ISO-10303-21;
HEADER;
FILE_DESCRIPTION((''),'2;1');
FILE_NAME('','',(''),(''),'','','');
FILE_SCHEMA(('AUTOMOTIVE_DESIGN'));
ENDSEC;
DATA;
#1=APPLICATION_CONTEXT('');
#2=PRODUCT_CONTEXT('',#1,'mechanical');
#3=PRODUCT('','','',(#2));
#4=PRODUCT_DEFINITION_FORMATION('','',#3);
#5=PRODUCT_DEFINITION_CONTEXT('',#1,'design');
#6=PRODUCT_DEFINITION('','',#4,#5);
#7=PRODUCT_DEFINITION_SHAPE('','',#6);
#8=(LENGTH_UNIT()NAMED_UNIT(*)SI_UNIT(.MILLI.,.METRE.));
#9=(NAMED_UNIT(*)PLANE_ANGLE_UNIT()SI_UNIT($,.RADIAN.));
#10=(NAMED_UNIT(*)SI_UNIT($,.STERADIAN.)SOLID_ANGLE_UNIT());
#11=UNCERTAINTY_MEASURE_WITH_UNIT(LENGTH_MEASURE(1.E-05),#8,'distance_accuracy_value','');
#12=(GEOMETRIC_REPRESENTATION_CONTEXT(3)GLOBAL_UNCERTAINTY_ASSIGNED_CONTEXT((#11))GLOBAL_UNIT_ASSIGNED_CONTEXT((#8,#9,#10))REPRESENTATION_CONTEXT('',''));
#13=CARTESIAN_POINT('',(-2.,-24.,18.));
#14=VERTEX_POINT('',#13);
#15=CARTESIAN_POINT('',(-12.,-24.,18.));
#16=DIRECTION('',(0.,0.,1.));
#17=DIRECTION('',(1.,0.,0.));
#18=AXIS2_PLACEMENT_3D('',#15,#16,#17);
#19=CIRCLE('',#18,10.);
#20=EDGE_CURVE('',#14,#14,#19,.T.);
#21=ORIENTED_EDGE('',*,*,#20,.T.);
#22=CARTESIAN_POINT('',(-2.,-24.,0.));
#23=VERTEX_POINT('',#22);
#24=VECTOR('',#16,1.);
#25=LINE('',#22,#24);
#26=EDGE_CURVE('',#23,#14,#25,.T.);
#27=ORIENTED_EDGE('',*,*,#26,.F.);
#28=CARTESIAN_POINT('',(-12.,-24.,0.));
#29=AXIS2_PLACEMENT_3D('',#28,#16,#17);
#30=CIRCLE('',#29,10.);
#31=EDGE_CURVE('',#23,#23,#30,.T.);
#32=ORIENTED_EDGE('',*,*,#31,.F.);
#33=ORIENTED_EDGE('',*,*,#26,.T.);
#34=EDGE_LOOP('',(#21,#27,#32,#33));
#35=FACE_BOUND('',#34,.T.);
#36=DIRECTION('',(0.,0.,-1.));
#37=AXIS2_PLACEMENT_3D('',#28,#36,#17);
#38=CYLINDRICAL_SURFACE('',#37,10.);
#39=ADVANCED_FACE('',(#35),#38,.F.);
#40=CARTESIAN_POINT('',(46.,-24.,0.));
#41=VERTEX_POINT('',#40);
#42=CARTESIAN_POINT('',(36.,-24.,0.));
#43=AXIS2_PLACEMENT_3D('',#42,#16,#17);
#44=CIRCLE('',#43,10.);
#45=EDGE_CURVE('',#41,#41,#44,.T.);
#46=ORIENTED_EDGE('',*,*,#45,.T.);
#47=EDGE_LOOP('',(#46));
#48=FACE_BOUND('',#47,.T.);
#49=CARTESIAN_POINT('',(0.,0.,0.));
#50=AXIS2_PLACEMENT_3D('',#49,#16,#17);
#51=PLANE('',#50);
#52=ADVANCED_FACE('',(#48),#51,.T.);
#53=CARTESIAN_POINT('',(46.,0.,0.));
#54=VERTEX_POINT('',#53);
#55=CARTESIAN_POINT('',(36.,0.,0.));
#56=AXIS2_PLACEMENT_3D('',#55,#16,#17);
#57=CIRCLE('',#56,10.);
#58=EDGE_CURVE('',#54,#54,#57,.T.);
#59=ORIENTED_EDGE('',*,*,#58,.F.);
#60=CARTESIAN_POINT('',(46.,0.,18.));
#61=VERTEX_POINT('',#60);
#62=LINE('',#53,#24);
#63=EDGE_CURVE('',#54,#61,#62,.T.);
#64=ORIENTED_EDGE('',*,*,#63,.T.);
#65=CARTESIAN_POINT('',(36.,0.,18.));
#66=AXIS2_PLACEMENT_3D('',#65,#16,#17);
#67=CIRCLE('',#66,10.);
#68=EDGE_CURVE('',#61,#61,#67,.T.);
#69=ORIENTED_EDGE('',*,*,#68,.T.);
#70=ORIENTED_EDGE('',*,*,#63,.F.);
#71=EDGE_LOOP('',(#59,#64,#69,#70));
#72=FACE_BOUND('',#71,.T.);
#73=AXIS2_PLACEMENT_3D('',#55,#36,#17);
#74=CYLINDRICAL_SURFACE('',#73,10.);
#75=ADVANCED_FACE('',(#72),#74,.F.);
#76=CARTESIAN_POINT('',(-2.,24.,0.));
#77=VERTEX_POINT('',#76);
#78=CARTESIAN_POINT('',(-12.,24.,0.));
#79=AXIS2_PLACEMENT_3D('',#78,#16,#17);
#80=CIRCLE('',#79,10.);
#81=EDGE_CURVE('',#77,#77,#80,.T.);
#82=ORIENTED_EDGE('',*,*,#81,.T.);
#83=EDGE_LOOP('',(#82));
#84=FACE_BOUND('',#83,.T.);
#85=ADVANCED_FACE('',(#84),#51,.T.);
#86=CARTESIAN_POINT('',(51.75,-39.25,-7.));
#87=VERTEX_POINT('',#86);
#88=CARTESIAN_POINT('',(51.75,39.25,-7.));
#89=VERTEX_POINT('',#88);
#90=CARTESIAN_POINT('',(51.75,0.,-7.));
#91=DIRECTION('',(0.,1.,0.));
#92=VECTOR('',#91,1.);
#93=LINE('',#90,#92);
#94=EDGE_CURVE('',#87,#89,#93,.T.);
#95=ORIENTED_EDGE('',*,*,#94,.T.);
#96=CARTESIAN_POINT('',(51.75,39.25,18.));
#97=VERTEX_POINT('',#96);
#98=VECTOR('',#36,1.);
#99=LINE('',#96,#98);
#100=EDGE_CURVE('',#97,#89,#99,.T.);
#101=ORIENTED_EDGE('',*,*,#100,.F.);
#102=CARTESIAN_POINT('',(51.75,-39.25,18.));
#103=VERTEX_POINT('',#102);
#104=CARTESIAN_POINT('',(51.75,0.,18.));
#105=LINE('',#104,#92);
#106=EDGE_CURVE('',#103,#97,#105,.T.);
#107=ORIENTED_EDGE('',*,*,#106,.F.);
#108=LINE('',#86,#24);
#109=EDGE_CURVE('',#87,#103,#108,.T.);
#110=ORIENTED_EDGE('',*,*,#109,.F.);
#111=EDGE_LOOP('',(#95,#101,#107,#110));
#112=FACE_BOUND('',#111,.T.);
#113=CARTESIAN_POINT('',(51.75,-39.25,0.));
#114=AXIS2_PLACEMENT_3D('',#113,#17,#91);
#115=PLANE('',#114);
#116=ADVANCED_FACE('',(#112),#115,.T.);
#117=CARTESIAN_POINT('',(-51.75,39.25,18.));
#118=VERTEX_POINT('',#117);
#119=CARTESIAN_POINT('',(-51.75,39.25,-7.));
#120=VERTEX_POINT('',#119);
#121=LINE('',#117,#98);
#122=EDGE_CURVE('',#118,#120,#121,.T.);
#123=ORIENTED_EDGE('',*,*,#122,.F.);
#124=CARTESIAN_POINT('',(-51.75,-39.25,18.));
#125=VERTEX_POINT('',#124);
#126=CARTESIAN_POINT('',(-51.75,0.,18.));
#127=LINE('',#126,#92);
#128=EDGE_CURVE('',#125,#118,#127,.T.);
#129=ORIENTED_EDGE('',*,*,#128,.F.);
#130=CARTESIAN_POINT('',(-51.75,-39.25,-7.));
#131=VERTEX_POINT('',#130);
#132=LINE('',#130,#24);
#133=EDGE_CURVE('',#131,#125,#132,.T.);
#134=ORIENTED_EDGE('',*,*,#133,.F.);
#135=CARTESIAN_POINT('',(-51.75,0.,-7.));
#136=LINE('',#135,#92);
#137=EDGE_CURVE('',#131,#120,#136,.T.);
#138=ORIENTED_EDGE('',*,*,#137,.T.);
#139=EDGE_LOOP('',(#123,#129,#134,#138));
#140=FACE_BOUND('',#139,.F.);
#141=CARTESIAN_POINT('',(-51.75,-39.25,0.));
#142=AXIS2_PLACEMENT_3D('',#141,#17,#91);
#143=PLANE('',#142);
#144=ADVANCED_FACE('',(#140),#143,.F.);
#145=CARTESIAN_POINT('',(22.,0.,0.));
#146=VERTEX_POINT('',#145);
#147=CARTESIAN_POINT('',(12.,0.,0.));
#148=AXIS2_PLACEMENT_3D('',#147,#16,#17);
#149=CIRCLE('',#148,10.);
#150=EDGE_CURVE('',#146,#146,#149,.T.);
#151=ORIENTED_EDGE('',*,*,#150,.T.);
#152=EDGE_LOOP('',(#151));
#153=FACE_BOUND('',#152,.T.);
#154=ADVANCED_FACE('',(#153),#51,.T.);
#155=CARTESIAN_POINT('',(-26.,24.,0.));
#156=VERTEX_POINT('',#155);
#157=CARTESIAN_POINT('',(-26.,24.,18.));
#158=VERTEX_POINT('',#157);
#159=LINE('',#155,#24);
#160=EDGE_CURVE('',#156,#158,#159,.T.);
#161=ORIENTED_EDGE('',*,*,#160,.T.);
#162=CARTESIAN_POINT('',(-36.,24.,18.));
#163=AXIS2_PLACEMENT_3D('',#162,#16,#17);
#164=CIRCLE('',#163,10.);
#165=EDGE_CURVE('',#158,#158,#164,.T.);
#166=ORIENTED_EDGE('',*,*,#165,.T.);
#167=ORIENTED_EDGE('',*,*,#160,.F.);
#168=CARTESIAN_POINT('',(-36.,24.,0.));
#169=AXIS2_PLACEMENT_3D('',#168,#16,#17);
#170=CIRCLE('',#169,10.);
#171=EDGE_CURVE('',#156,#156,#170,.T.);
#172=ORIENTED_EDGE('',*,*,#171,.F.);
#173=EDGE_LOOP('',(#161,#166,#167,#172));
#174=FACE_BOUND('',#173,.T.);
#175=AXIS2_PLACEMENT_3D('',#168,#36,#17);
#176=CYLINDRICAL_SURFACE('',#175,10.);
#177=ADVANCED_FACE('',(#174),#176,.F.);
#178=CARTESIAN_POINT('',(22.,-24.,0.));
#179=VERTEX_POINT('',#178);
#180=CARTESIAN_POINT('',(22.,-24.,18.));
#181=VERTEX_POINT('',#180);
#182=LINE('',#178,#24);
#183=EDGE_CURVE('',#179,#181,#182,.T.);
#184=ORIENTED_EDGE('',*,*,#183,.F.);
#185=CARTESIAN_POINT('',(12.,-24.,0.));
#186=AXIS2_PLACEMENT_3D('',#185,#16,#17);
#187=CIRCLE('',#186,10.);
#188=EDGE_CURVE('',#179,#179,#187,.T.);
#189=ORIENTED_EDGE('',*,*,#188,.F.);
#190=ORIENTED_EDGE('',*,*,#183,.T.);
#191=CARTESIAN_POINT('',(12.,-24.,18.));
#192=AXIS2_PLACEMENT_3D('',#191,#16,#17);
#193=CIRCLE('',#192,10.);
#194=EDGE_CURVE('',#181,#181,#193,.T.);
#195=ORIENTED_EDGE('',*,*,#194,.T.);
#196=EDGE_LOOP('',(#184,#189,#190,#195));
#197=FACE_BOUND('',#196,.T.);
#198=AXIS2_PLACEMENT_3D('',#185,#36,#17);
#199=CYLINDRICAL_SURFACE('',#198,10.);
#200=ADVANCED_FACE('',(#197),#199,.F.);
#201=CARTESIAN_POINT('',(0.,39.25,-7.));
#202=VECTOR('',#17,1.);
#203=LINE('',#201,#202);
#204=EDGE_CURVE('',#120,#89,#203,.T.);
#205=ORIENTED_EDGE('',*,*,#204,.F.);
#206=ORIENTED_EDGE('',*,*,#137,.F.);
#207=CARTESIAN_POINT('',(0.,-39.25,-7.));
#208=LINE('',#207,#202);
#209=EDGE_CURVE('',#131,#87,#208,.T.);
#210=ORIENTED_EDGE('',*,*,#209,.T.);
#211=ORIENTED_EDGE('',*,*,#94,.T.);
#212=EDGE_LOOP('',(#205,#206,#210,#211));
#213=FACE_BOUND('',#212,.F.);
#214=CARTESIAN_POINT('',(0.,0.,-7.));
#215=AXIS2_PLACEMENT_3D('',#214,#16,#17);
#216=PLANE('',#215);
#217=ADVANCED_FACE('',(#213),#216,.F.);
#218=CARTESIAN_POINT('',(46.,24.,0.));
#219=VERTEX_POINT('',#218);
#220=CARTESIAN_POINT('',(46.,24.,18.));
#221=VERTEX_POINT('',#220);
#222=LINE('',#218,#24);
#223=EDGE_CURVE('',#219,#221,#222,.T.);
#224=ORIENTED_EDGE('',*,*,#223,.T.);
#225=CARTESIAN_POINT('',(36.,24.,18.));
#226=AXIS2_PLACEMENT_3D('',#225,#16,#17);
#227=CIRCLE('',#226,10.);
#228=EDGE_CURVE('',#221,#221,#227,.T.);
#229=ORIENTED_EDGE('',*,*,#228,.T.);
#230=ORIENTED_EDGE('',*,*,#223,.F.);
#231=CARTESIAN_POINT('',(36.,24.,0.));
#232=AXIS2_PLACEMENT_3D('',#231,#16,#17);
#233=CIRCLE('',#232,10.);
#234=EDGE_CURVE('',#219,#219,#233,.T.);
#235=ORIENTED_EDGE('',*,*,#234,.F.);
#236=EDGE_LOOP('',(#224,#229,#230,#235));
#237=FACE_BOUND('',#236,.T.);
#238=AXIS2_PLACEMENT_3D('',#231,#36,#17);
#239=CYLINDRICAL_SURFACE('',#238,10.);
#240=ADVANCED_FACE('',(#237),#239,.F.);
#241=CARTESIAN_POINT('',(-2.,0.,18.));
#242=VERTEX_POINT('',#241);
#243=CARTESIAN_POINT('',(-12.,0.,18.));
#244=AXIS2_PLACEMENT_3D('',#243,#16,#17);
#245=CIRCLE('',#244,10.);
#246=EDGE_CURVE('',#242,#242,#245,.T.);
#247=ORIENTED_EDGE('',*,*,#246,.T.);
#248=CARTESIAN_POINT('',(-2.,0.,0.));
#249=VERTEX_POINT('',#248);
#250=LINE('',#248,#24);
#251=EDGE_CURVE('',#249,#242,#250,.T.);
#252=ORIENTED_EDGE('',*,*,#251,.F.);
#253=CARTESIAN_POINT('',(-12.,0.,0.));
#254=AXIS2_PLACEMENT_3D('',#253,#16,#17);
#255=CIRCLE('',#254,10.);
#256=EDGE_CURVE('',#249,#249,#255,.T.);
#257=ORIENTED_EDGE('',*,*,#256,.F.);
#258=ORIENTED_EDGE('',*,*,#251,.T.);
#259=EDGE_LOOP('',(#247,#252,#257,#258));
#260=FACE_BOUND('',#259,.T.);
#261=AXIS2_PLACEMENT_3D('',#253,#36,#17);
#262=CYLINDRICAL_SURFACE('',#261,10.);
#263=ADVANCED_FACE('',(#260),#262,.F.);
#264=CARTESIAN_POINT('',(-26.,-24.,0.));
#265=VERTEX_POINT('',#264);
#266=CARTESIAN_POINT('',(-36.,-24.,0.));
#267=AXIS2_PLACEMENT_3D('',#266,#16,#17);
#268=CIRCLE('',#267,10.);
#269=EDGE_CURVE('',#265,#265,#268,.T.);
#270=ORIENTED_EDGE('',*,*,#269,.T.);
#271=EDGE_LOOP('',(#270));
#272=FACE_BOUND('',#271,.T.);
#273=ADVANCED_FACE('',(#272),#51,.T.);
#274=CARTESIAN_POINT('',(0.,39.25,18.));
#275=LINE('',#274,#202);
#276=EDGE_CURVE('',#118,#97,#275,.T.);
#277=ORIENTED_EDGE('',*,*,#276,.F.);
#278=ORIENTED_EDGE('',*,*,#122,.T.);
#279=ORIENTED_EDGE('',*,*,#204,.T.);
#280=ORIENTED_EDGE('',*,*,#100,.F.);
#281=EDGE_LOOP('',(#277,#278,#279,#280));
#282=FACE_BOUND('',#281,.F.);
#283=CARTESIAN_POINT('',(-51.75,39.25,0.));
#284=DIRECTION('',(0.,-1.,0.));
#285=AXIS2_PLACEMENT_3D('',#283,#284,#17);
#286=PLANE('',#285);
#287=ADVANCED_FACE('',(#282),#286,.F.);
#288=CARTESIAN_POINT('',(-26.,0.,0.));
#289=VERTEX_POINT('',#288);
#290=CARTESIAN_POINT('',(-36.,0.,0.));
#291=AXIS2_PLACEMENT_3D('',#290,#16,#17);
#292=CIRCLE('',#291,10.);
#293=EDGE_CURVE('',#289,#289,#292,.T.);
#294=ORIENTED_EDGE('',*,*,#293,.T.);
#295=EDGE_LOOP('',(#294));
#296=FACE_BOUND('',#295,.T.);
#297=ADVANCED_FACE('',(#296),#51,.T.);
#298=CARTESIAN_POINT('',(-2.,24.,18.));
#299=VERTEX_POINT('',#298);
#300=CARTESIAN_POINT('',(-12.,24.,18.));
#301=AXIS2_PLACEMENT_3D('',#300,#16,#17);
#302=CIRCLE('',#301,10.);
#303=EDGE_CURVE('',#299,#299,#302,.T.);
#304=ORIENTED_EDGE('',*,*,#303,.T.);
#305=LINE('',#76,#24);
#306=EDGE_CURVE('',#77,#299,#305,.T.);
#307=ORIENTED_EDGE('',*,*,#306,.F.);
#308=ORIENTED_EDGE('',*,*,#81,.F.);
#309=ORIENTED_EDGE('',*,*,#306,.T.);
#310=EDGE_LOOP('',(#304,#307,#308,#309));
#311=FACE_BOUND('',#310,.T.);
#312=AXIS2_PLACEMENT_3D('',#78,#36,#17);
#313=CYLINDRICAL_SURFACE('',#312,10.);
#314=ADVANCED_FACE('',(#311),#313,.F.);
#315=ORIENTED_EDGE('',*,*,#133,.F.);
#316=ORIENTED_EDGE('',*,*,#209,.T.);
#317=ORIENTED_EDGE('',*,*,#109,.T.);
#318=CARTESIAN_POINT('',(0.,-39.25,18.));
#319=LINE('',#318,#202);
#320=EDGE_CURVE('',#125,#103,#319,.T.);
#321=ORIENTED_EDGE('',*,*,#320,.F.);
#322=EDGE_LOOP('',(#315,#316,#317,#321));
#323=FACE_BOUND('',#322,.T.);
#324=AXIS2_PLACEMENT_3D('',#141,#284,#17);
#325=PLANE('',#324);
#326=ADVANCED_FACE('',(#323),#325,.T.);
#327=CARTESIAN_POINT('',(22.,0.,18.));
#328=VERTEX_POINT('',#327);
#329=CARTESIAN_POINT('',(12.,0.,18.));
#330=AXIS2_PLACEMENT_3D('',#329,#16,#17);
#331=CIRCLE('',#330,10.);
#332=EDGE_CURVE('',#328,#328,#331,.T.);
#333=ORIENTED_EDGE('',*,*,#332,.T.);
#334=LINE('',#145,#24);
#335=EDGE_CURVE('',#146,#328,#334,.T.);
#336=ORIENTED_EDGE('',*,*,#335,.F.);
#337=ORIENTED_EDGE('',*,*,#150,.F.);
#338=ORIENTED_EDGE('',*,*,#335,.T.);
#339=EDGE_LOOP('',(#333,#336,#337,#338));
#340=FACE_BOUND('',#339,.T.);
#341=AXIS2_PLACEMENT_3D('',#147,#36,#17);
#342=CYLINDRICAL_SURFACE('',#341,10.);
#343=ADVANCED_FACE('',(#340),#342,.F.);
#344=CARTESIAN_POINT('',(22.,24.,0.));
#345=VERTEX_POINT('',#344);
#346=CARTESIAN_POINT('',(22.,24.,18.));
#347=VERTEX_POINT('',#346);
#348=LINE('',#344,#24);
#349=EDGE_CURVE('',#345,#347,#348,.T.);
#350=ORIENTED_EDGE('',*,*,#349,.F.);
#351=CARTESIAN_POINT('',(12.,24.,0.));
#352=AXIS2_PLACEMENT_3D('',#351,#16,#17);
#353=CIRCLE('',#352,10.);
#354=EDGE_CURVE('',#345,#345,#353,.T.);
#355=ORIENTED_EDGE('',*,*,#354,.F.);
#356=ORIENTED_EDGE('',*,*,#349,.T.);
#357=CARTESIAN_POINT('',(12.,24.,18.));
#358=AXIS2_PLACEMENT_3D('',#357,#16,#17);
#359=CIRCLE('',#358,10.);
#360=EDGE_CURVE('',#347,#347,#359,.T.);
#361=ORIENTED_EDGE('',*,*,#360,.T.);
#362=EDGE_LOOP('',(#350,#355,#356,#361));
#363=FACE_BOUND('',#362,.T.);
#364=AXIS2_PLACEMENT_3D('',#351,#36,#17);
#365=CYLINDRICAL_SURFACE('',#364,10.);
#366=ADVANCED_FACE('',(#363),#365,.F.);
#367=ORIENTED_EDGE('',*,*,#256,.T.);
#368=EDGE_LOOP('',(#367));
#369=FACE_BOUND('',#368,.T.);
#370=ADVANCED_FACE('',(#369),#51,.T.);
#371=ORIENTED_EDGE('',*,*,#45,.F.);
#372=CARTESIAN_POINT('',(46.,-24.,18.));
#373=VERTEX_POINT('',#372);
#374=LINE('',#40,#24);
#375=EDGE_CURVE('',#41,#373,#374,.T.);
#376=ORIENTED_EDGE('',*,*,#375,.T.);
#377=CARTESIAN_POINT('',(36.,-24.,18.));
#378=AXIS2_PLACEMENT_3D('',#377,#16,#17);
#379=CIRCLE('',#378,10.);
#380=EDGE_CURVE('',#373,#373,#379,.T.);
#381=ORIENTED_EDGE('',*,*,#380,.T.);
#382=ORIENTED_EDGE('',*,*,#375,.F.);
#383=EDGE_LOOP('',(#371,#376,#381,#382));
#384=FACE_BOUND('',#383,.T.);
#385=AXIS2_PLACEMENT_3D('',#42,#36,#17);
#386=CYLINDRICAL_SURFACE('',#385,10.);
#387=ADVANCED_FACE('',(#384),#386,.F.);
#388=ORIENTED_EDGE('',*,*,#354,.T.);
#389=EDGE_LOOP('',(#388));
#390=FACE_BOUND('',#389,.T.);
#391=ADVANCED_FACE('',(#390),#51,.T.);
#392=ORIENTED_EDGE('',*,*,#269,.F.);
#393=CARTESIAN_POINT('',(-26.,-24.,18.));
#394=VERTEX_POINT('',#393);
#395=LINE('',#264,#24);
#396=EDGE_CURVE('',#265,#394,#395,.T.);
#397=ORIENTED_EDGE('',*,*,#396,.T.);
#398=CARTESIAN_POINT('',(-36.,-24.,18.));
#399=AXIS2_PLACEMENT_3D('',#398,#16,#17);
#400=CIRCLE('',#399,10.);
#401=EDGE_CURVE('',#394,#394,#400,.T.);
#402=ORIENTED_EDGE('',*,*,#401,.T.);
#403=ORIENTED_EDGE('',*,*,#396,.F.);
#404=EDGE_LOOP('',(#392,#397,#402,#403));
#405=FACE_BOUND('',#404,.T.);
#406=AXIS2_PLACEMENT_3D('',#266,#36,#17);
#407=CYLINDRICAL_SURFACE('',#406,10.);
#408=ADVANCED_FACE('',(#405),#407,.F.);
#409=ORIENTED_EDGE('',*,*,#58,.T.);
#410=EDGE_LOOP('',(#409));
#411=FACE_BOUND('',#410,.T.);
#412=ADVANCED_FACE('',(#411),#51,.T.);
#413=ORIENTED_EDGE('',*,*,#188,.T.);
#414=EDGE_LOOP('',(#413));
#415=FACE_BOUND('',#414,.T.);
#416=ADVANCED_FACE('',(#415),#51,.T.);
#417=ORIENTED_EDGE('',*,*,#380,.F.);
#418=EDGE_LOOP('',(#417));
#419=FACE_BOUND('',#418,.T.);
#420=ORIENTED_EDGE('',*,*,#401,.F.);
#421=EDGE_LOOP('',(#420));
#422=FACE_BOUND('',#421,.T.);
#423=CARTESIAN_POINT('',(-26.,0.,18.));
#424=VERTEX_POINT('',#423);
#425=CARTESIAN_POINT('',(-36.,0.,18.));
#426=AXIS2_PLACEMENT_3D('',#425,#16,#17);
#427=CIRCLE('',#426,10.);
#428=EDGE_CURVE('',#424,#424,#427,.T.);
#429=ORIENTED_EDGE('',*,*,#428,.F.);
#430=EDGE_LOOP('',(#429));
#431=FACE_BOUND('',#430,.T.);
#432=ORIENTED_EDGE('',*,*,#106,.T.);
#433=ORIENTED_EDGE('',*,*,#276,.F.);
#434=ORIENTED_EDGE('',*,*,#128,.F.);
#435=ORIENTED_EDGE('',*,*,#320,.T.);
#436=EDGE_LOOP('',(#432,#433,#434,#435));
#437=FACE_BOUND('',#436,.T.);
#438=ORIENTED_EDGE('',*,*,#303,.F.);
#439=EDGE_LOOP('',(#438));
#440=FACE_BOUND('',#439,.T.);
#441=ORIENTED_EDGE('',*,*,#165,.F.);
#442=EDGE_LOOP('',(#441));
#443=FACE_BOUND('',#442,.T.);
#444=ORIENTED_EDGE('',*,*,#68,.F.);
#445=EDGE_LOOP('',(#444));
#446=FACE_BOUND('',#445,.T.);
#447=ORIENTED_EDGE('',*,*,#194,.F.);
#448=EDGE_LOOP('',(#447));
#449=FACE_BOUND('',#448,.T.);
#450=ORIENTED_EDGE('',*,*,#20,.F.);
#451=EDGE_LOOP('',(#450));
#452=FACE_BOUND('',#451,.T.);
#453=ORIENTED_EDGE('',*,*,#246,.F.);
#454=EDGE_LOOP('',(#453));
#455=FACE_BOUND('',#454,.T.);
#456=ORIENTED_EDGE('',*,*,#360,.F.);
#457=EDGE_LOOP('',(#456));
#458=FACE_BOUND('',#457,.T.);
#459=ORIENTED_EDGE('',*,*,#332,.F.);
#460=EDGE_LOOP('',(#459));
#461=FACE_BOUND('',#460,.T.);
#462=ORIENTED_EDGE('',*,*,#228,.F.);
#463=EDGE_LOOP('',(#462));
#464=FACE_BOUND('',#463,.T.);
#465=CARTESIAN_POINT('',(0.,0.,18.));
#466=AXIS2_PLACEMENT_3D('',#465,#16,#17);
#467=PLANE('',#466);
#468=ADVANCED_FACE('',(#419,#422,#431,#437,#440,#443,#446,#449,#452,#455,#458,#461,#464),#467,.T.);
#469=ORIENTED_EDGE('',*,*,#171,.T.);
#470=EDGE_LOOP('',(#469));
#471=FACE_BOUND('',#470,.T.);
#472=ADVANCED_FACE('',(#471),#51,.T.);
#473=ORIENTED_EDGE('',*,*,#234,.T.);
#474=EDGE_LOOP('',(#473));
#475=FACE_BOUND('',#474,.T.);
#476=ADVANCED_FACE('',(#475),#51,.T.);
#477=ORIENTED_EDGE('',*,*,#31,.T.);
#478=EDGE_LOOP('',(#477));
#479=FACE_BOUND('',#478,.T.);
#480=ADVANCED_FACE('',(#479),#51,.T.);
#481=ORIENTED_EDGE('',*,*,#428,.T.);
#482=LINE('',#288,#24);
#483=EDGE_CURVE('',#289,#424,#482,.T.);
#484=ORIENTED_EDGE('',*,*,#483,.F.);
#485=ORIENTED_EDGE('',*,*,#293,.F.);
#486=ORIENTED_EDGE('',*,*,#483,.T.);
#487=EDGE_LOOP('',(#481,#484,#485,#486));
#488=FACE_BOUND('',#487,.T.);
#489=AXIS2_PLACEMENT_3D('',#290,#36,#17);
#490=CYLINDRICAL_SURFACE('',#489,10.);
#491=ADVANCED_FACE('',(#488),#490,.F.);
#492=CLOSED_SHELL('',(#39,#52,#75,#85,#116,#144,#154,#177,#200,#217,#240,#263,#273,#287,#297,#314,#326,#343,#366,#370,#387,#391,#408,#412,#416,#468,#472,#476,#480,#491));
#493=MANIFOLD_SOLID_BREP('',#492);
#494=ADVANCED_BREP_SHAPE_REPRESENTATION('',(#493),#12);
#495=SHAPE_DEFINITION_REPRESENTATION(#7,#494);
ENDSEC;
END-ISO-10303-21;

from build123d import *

# Parameters (mm, degrees)
F0_W     = 103.5
F0_H     = 78.5
F0_R     = 10
F1_DEPTH = 18
F2_DEPTH = 7


with BuildPart() as f1:
    # F0 (on Top) → F1 (new body)
    with BuildSketch(Plane.XY):
        Rectangle(F0_W, F0_H)
        with Locations((-36, -24)):
            Circle(F0_R, mode=Mode.SUBTRACT)
        with Locations((-12, -24)):
            Circle(F0_R, mode=Mode.SUBTRACT)
        with Locations((12, -24)):
            Circle(F0_R, mode=Mode.SUBTRACT)
        with Locations((36, -24)):
            Circle(F0_R, mode=Mode.SUBTRACT)
        with Locations((-36, 0)):
            Circle(F0_R, mode=Mode.SUBTRACT)
        with Locations((-12, 0)):
            Circle(F0_R, mode=Mode.SUBTRACT)
        with Locations((-36, 24)):
            Circle(F0_R, mode=Mode.SUBTRACT)
        with Locations((-12, 24)):
            Circle(F0_R, mode=Mode.SUBTRACT)
        with Locations((12, 0)):
            Circle(F0_R, mode=Mode.SUBTRACT)
        with Locations((36, 0)):
            Circle(F0_R, mode=Mode.SUBTRACT)
        with Locations((12, 24)):
            Circle(F0_R, mode=Mode.SUBTRACT)
        with Locations((36, 24)):
            Circle(F0_R, mode=Mode.SUBTRACT)
    extrude(amount=F1_DEPTH)

    # F0 (on Top) → F2 (join)
    with BuildSketch(Plane.XY):
        Rectangle(F0_W, F0_H)
        with Locations((-36, -24)):
            Circle(F0_R, mode=Mode.SUBTRACT)
        with Locations((-12, -24)):
            Circle(F0_R, mode=Mode.SUBTRACT)
        with Locations((12, -24)):
            Circle(F0_R, mode=Mode.SUBTRACT)
        with Locations((36, -24)):
            Circle(F0_R, mode=Mode.SUBTRACT)
        with Locations((-36, 0)):
            Circle(F0_R, mode=Mode.SUBTRACT)
        with Locations((-12, 0)):
            Circle(F0_R, mode=Mode.SUBTRACT)
        with Locations((-36, 24)):
            Circle(F0_R, mode=Mode.SUBTRACT)
        with Locations((-12, 24)):
            Circle(F0_R, mode=Mode.SUBTRACT)
        with Locations((12, 0)):
            Circle(F0_R, mode=Mode.SUBTRACT)
        with Locations((36, 0)):
            Circle(F0_R, mode=Mode.SUBTRACT)
        with Locations((12, 24)):
            Circle(F0_R, mode=Mode.SUBTRACT)
        with Locations((36, 24)):
            Circle(F0_R, mode=Mode.SUBTRACT)
        with Locations((-36, -24)):
            Circle(F0_R)
        with Locations((-12, -24)):
            Circle(F0_R)
        with Locations((12, -24)):
            Circle(F0_R)
        with Locations((36, -24)):
            Circle(F0_R)
        with Locations((12, 0)):
            Circle(F0_R)
        with Locations((-12, 0)):
            Circle(F0_R)
        with Locations((-36, 0)):
            Circle(F0_R)
        with Locations((-36, 24)):
            Circle(F0_R)
        with Locations((-12, 24)):
            Circle(F0_R)
        with Locations((12, 24)):
            Circle(F0_R)
        with Locations((36, 24)):
            Circle(F0_R)
        with Locations((36, 0)):
            Circle(F0_R)
    extrude(amount=-F2_DEPTH)


solid = f1.part
